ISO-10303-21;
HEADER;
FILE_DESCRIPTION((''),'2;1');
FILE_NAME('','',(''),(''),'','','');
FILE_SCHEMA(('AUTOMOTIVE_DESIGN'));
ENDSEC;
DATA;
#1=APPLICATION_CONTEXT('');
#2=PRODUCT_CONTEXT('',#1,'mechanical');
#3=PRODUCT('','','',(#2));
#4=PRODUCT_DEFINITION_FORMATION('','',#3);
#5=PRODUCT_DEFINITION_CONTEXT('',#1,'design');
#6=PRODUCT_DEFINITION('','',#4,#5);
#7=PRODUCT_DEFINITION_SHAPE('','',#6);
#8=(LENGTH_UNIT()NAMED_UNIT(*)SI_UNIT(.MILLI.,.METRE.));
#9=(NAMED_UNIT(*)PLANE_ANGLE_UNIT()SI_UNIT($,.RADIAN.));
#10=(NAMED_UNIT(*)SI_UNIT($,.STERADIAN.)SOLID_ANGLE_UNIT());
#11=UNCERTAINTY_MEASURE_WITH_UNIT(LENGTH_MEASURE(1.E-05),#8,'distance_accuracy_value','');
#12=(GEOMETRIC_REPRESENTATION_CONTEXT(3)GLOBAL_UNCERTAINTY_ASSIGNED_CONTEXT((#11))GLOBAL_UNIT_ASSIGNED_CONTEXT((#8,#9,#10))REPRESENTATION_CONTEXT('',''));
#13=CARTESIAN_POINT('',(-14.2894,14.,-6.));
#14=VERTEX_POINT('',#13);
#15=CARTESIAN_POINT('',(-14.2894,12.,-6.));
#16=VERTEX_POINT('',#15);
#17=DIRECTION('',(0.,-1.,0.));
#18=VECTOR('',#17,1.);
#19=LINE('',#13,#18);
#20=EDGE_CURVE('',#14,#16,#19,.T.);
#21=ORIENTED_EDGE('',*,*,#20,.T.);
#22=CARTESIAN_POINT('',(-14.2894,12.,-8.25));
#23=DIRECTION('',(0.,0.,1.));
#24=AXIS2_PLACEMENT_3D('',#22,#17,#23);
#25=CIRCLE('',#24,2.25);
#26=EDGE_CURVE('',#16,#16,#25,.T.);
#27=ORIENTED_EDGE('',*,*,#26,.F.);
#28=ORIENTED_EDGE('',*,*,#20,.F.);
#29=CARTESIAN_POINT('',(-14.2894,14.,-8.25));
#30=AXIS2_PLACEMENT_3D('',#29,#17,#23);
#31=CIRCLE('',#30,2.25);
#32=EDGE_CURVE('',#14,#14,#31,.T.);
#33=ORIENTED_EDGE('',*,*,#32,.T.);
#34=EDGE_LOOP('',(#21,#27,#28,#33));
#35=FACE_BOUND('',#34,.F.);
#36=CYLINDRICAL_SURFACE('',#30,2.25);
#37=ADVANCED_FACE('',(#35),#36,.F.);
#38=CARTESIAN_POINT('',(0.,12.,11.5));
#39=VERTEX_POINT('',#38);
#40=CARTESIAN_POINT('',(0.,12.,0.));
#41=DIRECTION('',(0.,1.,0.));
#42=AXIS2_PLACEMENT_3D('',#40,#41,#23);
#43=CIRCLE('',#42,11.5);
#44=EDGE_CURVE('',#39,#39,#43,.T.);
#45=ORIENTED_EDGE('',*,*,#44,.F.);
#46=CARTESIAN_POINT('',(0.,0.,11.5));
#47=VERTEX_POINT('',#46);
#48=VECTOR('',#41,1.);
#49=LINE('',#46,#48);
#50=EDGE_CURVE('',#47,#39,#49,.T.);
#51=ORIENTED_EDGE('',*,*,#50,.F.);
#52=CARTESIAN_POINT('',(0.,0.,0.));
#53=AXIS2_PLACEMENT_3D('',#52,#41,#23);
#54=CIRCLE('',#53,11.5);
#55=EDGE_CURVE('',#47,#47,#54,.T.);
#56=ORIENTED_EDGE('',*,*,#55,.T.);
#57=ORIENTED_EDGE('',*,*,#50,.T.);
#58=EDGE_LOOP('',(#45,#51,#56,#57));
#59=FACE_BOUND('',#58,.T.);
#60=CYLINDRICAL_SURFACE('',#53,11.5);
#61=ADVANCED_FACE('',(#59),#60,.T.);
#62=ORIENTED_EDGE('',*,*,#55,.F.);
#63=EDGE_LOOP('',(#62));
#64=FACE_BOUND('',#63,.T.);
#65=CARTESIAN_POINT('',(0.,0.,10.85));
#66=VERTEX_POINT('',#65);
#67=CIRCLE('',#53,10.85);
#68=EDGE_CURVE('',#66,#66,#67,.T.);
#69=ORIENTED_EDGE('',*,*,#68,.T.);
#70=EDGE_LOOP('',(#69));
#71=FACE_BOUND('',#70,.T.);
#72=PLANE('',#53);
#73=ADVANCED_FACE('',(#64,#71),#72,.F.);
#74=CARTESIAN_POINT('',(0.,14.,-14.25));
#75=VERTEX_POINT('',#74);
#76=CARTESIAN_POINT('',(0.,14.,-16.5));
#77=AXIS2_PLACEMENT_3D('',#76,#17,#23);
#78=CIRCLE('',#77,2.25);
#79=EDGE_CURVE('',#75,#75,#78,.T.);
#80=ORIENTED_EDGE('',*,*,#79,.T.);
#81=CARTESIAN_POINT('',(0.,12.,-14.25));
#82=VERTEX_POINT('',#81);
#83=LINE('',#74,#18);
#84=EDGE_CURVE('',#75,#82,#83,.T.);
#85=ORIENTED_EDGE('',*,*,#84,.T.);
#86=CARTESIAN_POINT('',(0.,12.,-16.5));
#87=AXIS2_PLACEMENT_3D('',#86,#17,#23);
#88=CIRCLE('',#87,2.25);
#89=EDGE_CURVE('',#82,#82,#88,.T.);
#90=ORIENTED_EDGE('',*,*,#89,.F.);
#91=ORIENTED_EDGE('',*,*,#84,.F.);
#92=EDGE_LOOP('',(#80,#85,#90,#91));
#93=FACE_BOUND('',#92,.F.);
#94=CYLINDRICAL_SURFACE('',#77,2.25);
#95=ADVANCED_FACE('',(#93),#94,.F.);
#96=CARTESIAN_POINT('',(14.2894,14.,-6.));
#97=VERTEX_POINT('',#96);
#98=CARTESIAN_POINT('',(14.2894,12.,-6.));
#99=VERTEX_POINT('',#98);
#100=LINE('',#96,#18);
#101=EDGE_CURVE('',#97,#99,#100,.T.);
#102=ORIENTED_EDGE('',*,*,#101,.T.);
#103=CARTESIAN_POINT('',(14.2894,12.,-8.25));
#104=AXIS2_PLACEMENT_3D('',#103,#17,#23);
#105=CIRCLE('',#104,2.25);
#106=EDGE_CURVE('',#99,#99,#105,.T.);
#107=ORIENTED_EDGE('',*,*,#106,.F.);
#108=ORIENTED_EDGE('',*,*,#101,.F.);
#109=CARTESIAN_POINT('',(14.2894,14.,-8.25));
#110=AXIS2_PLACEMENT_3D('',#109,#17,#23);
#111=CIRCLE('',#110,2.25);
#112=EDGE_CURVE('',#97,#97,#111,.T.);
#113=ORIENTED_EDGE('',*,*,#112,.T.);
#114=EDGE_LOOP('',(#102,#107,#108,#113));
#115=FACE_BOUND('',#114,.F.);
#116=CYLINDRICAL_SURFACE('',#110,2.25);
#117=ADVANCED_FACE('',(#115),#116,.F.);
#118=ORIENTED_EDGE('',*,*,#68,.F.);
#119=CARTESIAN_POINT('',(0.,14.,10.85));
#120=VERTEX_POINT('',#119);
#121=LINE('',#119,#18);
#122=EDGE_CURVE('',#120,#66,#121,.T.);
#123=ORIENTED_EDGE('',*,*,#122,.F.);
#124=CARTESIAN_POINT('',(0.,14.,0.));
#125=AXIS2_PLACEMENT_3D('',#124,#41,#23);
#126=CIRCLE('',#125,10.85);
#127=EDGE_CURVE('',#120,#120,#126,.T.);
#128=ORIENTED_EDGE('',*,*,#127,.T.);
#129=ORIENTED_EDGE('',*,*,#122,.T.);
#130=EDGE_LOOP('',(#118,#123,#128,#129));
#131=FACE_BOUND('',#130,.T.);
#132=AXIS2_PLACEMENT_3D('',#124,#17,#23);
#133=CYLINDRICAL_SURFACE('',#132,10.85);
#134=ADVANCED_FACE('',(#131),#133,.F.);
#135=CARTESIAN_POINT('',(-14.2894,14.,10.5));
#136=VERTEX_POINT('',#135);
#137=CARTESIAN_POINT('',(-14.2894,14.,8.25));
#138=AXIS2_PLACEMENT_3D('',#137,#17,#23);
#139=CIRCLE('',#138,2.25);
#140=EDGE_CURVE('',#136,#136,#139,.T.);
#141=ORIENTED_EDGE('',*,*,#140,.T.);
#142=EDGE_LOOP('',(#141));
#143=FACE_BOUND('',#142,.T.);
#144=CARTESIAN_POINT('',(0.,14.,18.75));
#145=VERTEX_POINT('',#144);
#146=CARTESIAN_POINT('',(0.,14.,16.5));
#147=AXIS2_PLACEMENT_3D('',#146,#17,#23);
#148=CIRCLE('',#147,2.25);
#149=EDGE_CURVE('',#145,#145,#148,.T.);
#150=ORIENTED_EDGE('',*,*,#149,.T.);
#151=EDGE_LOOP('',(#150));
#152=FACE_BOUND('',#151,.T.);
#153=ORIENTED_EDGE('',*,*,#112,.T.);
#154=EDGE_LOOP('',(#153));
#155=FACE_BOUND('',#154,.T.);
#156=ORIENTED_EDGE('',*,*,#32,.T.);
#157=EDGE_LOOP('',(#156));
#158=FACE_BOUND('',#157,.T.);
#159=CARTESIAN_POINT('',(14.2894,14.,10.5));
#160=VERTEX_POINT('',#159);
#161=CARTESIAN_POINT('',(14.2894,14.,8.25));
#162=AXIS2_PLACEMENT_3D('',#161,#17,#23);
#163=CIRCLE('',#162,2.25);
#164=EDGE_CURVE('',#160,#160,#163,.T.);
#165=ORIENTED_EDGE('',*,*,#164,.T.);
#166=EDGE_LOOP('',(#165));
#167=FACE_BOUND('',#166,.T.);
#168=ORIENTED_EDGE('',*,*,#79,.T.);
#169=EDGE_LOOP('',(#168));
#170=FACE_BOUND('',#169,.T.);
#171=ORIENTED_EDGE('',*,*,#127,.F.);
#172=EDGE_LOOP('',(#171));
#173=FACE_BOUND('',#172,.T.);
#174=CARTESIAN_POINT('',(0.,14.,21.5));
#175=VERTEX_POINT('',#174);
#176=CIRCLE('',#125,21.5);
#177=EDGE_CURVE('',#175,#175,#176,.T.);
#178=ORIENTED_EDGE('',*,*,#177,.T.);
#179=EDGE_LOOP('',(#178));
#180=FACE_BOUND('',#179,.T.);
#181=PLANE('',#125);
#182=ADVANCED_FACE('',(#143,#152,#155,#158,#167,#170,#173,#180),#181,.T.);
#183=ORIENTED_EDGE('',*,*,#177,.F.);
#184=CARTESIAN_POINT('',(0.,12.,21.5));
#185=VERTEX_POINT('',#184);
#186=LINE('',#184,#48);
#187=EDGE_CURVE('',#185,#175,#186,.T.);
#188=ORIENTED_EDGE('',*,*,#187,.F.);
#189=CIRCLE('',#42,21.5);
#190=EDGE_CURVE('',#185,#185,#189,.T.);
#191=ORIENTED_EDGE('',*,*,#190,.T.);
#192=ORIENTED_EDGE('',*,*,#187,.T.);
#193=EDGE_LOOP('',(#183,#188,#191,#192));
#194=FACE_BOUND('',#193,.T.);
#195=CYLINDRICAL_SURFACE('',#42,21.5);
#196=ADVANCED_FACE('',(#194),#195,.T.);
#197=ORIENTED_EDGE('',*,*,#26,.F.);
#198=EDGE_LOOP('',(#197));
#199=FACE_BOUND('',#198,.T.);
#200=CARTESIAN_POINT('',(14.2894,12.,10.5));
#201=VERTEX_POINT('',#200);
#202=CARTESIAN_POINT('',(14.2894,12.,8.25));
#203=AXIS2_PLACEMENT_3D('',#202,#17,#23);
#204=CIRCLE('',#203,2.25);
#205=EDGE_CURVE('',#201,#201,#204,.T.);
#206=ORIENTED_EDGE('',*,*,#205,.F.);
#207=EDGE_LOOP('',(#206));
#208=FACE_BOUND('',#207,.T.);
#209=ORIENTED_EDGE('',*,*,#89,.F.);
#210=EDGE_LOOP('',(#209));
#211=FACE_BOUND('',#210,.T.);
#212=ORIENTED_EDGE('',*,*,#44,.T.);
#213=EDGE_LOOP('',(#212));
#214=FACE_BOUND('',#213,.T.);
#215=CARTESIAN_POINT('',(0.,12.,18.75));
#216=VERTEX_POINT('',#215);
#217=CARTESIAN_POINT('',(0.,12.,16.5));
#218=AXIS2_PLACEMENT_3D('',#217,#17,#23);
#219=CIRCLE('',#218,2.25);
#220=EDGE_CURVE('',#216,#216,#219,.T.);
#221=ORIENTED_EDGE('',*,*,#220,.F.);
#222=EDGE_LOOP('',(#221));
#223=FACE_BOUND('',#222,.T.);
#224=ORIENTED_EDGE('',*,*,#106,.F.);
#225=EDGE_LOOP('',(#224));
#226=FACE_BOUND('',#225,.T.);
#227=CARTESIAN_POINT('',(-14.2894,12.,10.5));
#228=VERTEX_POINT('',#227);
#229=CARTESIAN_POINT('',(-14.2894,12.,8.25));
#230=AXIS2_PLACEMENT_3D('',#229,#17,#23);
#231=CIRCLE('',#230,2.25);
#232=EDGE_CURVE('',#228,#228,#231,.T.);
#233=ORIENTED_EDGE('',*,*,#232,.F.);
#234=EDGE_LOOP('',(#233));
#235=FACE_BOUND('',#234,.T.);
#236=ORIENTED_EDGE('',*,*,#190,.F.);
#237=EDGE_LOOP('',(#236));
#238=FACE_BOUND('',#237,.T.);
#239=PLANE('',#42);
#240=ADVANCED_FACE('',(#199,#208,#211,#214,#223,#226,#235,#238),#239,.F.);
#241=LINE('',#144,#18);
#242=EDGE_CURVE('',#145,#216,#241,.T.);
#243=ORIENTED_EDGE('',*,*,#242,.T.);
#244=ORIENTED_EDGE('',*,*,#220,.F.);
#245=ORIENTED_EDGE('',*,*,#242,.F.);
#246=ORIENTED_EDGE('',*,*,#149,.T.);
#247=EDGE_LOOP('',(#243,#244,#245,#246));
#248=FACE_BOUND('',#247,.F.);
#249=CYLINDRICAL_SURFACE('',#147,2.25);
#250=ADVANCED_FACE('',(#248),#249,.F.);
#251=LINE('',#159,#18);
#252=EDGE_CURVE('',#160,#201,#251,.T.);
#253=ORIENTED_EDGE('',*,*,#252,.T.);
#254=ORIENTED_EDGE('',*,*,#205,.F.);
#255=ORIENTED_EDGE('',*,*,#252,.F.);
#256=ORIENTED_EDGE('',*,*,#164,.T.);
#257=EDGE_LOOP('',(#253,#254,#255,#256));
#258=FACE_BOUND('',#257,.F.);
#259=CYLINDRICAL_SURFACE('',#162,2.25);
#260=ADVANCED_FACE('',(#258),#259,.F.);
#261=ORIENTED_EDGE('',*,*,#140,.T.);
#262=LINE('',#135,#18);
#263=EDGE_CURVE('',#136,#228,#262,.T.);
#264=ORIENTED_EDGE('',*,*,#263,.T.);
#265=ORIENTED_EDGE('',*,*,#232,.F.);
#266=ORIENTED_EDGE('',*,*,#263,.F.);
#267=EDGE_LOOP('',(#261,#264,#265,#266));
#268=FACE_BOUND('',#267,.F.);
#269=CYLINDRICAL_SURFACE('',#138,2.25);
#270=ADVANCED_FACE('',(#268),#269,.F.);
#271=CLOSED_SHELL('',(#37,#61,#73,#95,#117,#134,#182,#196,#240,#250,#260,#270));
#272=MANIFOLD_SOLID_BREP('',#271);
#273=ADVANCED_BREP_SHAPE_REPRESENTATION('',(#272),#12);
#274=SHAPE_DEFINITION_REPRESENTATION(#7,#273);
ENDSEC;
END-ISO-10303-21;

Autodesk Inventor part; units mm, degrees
ref_plane "YZ Plane" through (0, 0, 0) normal (1, 0, 0) x (0, 1, 0)
ref_plane "XZ Plane" through (0, 0, 0) normal (0, 1, 0) x (-1, 0, 0)
ref_plane "XY Plane" through (0, 0, 0) normal (0, 0, 1) x (1, 0, 0)
sketch "Sketch2" plane through (0, 0, 0) normal (1, 0, 0) x (0, 1, 0)
  line L0 (-2.8, 0) -> (16.8, 0) projected
  line L1 (0, 10.85) -> (0, 11.5)
  line L2 (0, 11.5) -> (12, 11.5)
  line L3 (12, 11.5) -> (12, 21.5)
  line L4 (12, 21.5) -> (14, 21.5)
  line L5 (14, 21.5) -> (14, 10.85)
  line L6 (14, 10.85) -> (0, 10.85)
  point P0 (0, 0)
  point P1 (0, 11.175)
  dimension "d0" = 43
  dimension "d1" = 23
  dimension "d2" = 2
  dimension "d3" = 12
  dimension "d4" = 21.7
revolve "Revolution1" add sketch "Sketch2" angle 360 about axis through (0, -10, 0) along (0, 1, 0)
sketch "Sketch4" plane through (0, 14, 0) normal (0, 1, 0) x (1, 0, 0)
  circle A0 centre (0, 0) radius 21.5 construction
  circle A1 centre (0, 0) radius 10.85 construction
  circle A2 centre (0, 0) radius 16.5 construction
  line L0 (14.2894, 8.25) -> (-14.2894, -8.25) construction
  line L1 (-14.2894, 8.25) -> (14.2894, -8.25) construction
  point P0 (0, 16.5)
  point P1 (0, -16.5)
  point P2 (0, 16.5)
  point P3 (0, -16.5)
  dimension "d15" = 33
  dimension "d16" = 60
  dimension "d17" = 60
hole "Hole1" at (0, 14, -16.5) at (0, 14, 16.5) at (14.2894, 14, -8.25) at (-14.2894, 14, -8.25) at (14.2894, 14, 8.25) at (-14.2894, 14, 8.25) direction (0, -1, 0) diameter 4.5 end through all clearance for "Flat Head Machine Screw" size "M4" standard "Ansi Metric M Profile"
properties part number "P026" material "Aluminium"
